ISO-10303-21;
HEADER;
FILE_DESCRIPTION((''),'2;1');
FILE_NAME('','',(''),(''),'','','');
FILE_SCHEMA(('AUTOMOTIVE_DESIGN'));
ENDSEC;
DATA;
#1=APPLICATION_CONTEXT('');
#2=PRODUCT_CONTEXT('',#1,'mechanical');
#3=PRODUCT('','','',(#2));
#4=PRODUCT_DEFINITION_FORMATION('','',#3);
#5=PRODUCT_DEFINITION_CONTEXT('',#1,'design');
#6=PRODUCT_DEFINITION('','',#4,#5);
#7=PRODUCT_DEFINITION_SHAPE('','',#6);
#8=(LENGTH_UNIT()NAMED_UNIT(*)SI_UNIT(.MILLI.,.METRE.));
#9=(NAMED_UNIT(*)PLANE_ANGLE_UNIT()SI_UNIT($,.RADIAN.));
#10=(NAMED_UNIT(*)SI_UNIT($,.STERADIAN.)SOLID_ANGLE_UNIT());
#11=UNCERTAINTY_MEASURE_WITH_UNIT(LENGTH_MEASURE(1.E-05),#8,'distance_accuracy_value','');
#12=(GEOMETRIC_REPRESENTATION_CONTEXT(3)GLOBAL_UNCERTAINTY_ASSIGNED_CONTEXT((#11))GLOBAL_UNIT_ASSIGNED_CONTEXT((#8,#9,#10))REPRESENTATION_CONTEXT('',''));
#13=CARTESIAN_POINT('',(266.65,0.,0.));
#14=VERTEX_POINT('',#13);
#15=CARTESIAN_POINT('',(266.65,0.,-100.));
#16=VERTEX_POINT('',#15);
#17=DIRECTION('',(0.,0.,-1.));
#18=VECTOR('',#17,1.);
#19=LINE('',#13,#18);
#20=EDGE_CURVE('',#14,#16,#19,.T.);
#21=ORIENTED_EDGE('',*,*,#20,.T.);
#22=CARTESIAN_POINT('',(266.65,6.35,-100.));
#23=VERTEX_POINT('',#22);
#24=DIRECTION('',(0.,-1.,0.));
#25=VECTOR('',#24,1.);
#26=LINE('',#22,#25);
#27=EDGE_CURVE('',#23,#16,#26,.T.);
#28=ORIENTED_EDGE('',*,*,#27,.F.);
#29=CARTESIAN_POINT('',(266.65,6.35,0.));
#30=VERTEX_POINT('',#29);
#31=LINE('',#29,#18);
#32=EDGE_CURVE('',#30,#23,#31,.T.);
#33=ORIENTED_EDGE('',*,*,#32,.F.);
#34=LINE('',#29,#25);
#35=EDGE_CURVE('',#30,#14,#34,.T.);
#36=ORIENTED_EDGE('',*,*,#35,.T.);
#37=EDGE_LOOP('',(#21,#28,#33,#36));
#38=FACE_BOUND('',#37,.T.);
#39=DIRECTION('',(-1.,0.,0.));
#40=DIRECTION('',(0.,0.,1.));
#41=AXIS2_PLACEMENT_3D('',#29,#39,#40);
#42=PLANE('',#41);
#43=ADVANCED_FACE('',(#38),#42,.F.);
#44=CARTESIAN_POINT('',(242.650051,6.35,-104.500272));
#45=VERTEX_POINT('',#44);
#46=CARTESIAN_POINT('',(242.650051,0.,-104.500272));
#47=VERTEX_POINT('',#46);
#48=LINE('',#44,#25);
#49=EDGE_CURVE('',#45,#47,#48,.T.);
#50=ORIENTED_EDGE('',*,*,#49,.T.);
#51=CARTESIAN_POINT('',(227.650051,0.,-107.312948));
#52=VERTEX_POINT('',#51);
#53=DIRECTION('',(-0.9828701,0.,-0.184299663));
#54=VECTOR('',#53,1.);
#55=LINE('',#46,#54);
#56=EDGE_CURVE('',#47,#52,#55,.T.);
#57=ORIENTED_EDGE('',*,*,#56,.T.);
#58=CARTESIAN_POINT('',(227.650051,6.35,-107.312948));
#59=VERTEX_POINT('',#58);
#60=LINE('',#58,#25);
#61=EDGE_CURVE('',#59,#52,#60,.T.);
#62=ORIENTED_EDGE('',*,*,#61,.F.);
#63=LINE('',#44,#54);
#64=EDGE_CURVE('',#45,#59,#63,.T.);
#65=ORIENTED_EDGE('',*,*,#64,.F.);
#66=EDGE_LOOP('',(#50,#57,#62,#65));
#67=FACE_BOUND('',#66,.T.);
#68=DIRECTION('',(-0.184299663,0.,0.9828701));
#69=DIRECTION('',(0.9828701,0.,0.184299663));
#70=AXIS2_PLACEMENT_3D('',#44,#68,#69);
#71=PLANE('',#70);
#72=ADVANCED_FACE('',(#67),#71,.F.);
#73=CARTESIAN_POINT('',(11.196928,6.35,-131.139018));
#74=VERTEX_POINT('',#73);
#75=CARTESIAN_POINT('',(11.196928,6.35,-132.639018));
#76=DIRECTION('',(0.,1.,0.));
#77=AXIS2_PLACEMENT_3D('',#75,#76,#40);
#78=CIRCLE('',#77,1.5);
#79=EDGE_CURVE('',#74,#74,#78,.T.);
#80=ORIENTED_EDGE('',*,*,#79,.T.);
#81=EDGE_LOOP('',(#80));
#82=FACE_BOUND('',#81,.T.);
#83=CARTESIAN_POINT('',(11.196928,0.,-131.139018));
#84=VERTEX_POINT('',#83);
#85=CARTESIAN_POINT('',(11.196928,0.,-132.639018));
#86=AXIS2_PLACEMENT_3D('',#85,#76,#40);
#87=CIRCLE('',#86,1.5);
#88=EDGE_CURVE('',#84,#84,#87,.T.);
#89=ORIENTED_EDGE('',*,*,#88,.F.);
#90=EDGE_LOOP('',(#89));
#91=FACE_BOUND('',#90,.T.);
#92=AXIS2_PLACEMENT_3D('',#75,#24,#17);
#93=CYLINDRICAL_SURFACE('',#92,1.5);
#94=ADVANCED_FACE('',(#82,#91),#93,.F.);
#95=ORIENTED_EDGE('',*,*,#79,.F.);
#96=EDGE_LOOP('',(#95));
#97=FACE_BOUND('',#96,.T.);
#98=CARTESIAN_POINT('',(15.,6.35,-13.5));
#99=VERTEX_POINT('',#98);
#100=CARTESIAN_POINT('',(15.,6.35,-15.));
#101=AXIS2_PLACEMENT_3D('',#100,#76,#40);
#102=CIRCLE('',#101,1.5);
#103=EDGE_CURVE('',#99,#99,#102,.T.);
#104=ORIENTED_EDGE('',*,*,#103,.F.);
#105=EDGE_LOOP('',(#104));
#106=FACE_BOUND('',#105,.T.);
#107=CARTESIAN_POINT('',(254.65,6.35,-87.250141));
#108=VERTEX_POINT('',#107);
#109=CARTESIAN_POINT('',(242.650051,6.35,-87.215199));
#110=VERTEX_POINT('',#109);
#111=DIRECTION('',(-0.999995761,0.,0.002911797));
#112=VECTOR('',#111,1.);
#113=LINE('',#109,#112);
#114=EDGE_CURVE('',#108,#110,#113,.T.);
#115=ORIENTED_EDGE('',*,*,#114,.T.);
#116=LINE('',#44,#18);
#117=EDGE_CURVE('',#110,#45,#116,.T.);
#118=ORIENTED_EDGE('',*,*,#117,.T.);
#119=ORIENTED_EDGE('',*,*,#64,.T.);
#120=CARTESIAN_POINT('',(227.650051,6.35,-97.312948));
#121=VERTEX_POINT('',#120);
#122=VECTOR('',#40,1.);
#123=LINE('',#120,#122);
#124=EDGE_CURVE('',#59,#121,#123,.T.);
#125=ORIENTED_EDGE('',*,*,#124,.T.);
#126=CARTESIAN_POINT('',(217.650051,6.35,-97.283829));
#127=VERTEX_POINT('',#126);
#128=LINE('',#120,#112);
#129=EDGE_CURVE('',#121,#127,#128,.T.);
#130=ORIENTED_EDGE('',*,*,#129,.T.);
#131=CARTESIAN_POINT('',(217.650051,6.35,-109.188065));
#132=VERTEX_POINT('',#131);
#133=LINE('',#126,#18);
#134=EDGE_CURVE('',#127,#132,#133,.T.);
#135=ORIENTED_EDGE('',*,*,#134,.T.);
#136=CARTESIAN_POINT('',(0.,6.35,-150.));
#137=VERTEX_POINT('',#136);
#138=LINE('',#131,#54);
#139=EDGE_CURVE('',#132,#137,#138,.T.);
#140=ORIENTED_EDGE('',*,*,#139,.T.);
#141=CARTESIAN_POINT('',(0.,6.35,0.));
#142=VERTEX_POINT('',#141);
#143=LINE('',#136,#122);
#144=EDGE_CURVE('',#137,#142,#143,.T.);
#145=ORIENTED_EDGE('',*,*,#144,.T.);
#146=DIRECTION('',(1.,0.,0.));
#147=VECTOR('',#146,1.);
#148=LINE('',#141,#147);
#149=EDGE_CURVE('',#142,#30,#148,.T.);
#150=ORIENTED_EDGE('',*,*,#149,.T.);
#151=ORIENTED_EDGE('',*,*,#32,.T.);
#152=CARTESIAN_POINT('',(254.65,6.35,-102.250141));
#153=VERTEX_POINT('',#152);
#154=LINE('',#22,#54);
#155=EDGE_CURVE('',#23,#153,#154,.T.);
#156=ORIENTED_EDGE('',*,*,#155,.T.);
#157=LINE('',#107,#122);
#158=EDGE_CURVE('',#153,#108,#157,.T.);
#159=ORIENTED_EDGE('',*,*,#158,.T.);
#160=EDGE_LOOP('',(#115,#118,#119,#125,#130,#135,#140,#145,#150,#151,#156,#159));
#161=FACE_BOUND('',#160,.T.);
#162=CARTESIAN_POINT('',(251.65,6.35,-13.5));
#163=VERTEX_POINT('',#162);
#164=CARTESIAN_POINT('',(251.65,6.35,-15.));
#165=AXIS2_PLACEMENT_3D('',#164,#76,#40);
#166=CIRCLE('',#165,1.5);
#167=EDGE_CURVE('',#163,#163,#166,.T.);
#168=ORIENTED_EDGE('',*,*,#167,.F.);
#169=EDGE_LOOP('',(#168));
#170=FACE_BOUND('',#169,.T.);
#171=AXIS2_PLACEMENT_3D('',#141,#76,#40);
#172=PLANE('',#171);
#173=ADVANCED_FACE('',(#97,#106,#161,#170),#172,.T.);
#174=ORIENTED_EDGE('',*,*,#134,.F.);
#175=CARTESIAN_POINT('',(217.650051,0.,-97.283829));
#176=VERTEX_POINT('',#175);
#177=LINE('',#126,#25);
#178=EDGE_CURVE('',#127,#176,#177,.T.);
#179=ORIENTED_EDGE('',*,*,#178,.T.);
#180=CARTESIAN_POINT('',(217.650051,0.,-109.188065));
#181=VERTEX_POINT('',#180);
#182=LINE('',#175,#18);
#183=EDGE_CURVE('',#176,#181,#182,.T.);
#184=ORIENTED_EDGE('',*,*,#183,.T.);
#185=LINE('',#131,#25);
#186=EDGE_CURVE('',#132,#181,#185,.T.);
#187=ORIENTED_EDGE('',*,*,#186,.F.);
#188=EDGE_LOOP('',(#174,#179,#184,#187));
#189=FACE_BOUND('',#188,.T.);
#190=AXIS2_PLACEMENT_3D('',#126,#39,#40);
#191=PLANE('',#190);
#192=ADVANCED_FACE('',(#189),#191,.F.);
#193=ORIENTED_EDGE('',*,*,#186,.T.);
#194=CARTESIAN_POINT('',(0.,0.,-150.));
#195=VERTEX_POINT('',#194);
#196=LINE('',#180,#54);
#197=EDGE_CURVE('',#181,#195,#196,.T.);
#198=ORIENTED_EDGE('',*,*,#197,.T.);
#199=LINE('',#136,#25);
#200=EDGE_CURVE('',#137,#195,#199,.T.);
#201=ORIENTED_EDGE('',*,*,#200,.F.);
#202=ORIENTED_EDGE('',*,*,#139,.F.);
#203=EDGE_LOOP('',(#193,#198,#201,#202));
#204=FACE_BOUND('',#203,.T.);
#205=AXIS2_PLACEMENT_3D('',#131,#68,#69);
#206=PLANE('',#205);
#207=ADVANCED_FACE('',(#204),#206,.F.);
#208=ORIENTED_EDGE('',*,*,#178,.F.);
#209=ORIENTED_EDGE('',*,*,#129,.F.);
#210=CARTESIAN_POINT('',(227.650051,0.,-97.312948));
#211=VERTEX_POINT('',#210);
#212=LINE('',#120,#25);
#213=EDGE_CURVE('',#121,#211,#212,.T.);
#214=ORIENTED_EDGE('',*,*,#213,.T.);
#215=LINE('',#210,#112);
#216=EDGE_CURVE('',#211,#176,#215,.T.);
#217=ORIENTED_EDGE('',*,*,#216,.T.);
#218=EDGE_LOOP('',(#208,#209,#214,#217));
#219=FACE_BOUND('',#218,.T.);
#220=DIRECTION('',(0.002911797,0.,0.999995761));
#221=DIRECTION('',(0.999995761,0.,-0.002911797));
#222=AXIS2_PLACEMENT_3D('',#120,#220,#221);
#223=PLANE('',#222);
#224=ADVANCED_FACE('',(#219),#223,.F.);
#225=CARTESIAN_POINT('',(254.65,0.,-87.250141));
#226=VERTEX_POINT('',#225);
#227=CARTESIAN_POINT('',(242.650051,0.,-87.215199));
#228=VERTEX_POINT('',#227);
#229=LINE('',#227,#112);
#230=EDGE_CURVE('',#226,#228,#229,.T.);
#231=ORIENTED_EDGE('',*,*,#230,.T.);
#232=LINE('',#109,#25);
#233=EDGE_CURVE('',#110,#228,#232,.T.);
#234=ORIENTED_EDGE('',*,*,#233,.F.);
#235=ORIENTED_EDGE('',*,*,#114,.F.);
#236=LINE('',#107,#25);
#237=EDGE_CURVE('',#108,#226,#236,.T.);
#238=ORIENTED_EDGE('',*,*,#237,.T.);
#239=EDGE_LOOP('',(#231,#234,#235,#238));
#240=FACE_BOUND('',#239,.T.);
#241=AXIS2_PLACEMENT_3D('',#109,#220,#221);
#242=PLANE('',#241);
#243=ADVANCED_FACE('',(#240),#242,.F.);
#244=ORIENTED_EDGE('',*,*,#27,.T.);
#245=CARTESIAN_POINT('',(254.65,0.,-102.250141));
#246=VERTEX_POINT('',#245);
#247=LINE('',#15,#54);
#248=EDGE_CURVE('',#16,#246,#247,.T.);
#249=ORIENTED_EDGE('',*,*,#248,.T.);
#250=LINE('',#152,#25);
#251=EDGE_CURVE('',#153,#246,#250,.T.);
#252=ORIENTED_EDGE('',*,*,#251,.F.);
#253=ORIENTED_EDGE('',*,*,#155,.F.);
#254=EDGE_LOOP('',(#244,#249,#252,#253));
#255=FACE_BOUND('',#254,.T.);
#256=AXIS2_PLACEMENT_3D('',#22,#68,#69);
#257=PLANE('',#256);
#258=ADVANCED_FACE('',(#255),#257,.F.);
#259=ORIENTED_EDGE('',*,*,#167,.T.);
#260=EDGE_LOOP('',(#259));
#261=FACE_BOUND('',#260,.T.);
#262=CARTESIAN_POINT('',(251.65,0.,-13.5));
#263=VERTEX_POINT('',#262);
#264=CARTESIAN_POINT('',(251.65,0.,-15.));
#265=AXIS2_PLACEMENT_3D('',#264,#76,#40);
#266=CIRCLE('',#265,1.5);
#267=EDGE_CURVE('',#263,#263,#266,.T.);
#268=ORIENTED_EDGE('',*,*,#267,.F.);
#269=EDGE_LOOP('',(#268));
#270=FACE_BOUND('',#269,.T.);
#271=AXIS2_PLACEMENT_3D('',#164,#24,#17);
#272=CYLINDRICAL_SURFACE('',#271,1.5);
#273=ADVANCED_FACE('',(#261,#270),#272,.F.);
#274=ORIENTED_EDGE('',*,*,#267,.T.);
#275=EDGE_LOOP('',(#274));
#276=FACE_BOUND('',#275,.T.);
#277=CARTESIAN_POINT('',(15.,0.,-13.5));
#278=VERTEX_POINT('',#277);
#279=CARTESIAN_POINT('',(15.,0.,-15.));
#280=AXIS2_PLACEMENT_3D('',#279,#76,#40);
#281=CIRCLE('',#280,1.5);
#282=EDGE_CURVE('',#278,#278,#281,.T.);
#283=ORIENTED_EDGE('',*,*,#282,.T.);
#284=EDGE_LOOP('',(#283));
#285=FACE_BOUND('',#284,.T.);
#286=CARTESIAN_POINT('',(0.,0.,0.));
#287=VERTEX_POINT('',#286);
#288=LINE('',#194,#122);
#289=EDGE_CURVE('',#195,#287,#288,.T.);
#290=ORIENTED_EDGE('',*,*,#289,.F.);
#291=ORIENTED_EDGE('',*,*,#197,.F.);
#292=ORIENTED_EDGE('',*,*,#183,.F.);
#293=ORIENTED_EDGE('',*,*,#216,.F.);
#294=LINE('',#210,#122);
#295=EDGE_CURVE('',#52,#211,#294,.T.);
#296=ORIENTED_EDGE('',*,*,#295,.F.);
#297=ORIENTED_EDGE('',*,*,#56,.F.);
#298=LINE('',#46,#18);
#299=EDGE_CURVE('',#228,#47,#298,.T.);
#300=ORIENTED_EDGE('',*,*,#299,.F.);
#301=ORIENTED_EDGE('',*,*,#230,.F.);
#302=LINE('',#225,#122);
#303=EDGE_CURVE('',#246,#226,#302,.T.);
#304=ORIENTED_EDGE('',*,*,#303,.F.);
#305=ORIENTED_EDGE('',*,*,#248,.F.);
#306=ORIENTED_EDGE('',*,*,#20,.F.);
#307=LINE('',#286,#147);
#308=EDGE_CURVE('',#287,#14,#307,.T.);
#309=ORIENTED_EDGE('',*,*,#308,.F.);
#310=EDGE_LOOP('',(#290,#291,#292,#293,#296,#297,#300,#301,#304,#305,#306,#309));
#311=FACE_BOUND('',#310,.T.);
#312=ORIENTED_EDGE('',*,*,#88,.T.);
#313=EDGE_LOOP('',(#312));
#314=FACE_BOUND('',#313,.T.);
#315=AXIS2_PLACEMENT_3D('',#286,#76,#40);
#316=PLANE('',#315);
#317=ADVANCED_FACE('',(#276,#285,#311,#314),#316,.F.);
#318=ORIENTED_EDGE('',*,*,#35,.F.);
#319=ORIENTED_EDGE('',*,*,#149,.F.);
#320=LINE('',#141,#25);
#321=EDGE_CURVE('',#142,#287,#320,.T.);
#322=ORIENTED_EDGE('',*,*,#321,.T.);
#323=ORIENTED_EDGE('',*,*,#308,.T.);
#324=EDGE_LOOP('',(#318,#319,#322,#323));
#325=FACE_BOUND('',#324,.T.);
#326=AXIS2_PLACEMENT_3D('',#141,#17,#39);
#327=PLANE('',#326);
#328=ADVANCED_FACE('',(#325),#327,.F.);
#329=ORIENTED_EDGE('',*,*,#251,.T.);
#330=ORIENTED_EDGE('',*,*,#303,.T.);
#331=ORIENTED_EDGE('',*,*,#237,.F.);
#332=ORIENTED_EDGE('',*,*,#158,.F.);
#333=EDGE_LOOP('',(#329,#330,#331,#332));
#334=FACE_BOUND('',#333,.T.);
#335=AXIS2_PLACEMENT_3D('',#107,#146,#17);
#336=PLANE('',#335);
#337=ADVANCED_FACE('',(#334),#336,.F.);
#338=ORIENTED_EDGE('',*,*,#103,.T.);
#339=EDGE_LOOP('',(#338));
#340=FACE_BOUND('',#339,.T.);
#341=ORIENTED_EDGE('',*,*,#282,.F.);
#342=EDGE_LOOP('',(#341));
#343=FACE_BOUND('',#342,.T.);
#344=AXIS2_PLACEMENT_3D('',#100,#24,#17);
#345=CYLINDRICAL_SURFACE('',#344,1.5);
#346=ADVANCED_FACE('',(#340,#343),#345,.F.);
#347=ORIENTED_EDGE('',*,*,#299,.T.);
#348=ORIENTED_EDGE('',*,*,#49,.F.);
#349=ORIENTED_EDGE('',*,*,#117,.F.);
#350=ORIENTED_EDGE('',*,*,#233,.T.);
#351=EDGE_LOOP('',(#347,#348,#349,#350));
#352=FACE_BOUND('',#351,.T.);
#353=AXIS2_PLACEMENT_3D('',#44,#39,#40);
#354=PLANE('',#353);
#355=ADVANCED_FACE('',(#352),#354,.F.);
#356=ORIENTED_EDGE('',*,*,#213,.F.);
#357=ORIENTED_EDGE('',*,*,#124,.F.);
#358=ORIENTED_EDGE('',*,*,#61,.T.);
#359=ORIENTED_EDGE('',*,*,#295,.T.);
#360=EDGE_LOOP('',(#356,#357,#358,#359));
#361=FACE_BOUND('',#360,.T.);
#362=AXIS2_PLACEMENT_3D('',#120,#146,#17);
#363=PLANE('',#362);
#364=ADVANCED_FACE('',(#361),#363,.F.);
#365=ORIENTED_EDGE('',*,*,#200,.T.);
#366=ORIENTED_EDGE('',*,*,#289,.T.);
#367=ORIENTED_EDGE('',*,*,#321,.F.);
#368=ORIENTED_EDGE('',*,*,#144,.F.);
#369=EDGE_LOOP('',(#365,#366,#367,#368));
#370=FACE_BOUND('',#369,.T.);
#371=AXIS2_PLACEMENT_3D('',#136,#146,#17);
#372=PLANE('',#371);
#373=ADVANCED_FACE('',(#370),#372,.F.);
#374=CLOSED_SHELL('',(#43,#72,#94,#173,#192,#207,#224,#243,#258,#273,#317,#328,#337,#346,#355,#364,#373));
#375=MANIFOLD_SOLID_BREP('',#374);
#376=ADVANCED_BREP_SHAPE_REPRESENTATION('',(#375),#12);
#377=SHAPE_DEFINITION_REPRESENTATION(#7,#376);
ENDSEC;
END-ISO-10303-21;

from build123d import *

# Parameters (mm, degrees)
SKETCH2_R           = 1.5
BOSS_EXTRUDE1_DEPTH = 6.35


with BuildPart() as part:
    # Sketch2 → Boss-Extrude1 (new body)
    with BuildSketch(Plane(origin=(0, 0, 0), x_dir=(1, 0, 0), z_dir=(0, 1, 0))):
        Polygon((0, 0), (266.65, 0), (266.65, 100), (254.65, 102.250140634), (254.65, 87.250140634), (242.650050871, 87.215199066), (242.650050871, 104.500271729), (227.650050871, 107.312947521), (227.650050871, 97.312947521), (217.650050871, 97.283829424), (217.650050871, 109.188064716), (0, 150), align=None)
        with Locations(Location((15, 15, 0), (0, 0, 270))):
            Circle(SKETCH2_R, mode=Mode.SUBTRACT)
        with Locations(Location((251.65, 15, 0), (0, 0, 270))):
            Circle(SKETCH2_R, mode=Mode.SUBTRACT)
        with Locations(Location((11.196927717, 132.639018124, 0), (0, 0, 270))):
            Circle(SKETCH2_R, mode=Mode.SUBTRACT)
    extrude(amount=BOSS_EXTRUDE1_DEPTH)


solid = part.part
